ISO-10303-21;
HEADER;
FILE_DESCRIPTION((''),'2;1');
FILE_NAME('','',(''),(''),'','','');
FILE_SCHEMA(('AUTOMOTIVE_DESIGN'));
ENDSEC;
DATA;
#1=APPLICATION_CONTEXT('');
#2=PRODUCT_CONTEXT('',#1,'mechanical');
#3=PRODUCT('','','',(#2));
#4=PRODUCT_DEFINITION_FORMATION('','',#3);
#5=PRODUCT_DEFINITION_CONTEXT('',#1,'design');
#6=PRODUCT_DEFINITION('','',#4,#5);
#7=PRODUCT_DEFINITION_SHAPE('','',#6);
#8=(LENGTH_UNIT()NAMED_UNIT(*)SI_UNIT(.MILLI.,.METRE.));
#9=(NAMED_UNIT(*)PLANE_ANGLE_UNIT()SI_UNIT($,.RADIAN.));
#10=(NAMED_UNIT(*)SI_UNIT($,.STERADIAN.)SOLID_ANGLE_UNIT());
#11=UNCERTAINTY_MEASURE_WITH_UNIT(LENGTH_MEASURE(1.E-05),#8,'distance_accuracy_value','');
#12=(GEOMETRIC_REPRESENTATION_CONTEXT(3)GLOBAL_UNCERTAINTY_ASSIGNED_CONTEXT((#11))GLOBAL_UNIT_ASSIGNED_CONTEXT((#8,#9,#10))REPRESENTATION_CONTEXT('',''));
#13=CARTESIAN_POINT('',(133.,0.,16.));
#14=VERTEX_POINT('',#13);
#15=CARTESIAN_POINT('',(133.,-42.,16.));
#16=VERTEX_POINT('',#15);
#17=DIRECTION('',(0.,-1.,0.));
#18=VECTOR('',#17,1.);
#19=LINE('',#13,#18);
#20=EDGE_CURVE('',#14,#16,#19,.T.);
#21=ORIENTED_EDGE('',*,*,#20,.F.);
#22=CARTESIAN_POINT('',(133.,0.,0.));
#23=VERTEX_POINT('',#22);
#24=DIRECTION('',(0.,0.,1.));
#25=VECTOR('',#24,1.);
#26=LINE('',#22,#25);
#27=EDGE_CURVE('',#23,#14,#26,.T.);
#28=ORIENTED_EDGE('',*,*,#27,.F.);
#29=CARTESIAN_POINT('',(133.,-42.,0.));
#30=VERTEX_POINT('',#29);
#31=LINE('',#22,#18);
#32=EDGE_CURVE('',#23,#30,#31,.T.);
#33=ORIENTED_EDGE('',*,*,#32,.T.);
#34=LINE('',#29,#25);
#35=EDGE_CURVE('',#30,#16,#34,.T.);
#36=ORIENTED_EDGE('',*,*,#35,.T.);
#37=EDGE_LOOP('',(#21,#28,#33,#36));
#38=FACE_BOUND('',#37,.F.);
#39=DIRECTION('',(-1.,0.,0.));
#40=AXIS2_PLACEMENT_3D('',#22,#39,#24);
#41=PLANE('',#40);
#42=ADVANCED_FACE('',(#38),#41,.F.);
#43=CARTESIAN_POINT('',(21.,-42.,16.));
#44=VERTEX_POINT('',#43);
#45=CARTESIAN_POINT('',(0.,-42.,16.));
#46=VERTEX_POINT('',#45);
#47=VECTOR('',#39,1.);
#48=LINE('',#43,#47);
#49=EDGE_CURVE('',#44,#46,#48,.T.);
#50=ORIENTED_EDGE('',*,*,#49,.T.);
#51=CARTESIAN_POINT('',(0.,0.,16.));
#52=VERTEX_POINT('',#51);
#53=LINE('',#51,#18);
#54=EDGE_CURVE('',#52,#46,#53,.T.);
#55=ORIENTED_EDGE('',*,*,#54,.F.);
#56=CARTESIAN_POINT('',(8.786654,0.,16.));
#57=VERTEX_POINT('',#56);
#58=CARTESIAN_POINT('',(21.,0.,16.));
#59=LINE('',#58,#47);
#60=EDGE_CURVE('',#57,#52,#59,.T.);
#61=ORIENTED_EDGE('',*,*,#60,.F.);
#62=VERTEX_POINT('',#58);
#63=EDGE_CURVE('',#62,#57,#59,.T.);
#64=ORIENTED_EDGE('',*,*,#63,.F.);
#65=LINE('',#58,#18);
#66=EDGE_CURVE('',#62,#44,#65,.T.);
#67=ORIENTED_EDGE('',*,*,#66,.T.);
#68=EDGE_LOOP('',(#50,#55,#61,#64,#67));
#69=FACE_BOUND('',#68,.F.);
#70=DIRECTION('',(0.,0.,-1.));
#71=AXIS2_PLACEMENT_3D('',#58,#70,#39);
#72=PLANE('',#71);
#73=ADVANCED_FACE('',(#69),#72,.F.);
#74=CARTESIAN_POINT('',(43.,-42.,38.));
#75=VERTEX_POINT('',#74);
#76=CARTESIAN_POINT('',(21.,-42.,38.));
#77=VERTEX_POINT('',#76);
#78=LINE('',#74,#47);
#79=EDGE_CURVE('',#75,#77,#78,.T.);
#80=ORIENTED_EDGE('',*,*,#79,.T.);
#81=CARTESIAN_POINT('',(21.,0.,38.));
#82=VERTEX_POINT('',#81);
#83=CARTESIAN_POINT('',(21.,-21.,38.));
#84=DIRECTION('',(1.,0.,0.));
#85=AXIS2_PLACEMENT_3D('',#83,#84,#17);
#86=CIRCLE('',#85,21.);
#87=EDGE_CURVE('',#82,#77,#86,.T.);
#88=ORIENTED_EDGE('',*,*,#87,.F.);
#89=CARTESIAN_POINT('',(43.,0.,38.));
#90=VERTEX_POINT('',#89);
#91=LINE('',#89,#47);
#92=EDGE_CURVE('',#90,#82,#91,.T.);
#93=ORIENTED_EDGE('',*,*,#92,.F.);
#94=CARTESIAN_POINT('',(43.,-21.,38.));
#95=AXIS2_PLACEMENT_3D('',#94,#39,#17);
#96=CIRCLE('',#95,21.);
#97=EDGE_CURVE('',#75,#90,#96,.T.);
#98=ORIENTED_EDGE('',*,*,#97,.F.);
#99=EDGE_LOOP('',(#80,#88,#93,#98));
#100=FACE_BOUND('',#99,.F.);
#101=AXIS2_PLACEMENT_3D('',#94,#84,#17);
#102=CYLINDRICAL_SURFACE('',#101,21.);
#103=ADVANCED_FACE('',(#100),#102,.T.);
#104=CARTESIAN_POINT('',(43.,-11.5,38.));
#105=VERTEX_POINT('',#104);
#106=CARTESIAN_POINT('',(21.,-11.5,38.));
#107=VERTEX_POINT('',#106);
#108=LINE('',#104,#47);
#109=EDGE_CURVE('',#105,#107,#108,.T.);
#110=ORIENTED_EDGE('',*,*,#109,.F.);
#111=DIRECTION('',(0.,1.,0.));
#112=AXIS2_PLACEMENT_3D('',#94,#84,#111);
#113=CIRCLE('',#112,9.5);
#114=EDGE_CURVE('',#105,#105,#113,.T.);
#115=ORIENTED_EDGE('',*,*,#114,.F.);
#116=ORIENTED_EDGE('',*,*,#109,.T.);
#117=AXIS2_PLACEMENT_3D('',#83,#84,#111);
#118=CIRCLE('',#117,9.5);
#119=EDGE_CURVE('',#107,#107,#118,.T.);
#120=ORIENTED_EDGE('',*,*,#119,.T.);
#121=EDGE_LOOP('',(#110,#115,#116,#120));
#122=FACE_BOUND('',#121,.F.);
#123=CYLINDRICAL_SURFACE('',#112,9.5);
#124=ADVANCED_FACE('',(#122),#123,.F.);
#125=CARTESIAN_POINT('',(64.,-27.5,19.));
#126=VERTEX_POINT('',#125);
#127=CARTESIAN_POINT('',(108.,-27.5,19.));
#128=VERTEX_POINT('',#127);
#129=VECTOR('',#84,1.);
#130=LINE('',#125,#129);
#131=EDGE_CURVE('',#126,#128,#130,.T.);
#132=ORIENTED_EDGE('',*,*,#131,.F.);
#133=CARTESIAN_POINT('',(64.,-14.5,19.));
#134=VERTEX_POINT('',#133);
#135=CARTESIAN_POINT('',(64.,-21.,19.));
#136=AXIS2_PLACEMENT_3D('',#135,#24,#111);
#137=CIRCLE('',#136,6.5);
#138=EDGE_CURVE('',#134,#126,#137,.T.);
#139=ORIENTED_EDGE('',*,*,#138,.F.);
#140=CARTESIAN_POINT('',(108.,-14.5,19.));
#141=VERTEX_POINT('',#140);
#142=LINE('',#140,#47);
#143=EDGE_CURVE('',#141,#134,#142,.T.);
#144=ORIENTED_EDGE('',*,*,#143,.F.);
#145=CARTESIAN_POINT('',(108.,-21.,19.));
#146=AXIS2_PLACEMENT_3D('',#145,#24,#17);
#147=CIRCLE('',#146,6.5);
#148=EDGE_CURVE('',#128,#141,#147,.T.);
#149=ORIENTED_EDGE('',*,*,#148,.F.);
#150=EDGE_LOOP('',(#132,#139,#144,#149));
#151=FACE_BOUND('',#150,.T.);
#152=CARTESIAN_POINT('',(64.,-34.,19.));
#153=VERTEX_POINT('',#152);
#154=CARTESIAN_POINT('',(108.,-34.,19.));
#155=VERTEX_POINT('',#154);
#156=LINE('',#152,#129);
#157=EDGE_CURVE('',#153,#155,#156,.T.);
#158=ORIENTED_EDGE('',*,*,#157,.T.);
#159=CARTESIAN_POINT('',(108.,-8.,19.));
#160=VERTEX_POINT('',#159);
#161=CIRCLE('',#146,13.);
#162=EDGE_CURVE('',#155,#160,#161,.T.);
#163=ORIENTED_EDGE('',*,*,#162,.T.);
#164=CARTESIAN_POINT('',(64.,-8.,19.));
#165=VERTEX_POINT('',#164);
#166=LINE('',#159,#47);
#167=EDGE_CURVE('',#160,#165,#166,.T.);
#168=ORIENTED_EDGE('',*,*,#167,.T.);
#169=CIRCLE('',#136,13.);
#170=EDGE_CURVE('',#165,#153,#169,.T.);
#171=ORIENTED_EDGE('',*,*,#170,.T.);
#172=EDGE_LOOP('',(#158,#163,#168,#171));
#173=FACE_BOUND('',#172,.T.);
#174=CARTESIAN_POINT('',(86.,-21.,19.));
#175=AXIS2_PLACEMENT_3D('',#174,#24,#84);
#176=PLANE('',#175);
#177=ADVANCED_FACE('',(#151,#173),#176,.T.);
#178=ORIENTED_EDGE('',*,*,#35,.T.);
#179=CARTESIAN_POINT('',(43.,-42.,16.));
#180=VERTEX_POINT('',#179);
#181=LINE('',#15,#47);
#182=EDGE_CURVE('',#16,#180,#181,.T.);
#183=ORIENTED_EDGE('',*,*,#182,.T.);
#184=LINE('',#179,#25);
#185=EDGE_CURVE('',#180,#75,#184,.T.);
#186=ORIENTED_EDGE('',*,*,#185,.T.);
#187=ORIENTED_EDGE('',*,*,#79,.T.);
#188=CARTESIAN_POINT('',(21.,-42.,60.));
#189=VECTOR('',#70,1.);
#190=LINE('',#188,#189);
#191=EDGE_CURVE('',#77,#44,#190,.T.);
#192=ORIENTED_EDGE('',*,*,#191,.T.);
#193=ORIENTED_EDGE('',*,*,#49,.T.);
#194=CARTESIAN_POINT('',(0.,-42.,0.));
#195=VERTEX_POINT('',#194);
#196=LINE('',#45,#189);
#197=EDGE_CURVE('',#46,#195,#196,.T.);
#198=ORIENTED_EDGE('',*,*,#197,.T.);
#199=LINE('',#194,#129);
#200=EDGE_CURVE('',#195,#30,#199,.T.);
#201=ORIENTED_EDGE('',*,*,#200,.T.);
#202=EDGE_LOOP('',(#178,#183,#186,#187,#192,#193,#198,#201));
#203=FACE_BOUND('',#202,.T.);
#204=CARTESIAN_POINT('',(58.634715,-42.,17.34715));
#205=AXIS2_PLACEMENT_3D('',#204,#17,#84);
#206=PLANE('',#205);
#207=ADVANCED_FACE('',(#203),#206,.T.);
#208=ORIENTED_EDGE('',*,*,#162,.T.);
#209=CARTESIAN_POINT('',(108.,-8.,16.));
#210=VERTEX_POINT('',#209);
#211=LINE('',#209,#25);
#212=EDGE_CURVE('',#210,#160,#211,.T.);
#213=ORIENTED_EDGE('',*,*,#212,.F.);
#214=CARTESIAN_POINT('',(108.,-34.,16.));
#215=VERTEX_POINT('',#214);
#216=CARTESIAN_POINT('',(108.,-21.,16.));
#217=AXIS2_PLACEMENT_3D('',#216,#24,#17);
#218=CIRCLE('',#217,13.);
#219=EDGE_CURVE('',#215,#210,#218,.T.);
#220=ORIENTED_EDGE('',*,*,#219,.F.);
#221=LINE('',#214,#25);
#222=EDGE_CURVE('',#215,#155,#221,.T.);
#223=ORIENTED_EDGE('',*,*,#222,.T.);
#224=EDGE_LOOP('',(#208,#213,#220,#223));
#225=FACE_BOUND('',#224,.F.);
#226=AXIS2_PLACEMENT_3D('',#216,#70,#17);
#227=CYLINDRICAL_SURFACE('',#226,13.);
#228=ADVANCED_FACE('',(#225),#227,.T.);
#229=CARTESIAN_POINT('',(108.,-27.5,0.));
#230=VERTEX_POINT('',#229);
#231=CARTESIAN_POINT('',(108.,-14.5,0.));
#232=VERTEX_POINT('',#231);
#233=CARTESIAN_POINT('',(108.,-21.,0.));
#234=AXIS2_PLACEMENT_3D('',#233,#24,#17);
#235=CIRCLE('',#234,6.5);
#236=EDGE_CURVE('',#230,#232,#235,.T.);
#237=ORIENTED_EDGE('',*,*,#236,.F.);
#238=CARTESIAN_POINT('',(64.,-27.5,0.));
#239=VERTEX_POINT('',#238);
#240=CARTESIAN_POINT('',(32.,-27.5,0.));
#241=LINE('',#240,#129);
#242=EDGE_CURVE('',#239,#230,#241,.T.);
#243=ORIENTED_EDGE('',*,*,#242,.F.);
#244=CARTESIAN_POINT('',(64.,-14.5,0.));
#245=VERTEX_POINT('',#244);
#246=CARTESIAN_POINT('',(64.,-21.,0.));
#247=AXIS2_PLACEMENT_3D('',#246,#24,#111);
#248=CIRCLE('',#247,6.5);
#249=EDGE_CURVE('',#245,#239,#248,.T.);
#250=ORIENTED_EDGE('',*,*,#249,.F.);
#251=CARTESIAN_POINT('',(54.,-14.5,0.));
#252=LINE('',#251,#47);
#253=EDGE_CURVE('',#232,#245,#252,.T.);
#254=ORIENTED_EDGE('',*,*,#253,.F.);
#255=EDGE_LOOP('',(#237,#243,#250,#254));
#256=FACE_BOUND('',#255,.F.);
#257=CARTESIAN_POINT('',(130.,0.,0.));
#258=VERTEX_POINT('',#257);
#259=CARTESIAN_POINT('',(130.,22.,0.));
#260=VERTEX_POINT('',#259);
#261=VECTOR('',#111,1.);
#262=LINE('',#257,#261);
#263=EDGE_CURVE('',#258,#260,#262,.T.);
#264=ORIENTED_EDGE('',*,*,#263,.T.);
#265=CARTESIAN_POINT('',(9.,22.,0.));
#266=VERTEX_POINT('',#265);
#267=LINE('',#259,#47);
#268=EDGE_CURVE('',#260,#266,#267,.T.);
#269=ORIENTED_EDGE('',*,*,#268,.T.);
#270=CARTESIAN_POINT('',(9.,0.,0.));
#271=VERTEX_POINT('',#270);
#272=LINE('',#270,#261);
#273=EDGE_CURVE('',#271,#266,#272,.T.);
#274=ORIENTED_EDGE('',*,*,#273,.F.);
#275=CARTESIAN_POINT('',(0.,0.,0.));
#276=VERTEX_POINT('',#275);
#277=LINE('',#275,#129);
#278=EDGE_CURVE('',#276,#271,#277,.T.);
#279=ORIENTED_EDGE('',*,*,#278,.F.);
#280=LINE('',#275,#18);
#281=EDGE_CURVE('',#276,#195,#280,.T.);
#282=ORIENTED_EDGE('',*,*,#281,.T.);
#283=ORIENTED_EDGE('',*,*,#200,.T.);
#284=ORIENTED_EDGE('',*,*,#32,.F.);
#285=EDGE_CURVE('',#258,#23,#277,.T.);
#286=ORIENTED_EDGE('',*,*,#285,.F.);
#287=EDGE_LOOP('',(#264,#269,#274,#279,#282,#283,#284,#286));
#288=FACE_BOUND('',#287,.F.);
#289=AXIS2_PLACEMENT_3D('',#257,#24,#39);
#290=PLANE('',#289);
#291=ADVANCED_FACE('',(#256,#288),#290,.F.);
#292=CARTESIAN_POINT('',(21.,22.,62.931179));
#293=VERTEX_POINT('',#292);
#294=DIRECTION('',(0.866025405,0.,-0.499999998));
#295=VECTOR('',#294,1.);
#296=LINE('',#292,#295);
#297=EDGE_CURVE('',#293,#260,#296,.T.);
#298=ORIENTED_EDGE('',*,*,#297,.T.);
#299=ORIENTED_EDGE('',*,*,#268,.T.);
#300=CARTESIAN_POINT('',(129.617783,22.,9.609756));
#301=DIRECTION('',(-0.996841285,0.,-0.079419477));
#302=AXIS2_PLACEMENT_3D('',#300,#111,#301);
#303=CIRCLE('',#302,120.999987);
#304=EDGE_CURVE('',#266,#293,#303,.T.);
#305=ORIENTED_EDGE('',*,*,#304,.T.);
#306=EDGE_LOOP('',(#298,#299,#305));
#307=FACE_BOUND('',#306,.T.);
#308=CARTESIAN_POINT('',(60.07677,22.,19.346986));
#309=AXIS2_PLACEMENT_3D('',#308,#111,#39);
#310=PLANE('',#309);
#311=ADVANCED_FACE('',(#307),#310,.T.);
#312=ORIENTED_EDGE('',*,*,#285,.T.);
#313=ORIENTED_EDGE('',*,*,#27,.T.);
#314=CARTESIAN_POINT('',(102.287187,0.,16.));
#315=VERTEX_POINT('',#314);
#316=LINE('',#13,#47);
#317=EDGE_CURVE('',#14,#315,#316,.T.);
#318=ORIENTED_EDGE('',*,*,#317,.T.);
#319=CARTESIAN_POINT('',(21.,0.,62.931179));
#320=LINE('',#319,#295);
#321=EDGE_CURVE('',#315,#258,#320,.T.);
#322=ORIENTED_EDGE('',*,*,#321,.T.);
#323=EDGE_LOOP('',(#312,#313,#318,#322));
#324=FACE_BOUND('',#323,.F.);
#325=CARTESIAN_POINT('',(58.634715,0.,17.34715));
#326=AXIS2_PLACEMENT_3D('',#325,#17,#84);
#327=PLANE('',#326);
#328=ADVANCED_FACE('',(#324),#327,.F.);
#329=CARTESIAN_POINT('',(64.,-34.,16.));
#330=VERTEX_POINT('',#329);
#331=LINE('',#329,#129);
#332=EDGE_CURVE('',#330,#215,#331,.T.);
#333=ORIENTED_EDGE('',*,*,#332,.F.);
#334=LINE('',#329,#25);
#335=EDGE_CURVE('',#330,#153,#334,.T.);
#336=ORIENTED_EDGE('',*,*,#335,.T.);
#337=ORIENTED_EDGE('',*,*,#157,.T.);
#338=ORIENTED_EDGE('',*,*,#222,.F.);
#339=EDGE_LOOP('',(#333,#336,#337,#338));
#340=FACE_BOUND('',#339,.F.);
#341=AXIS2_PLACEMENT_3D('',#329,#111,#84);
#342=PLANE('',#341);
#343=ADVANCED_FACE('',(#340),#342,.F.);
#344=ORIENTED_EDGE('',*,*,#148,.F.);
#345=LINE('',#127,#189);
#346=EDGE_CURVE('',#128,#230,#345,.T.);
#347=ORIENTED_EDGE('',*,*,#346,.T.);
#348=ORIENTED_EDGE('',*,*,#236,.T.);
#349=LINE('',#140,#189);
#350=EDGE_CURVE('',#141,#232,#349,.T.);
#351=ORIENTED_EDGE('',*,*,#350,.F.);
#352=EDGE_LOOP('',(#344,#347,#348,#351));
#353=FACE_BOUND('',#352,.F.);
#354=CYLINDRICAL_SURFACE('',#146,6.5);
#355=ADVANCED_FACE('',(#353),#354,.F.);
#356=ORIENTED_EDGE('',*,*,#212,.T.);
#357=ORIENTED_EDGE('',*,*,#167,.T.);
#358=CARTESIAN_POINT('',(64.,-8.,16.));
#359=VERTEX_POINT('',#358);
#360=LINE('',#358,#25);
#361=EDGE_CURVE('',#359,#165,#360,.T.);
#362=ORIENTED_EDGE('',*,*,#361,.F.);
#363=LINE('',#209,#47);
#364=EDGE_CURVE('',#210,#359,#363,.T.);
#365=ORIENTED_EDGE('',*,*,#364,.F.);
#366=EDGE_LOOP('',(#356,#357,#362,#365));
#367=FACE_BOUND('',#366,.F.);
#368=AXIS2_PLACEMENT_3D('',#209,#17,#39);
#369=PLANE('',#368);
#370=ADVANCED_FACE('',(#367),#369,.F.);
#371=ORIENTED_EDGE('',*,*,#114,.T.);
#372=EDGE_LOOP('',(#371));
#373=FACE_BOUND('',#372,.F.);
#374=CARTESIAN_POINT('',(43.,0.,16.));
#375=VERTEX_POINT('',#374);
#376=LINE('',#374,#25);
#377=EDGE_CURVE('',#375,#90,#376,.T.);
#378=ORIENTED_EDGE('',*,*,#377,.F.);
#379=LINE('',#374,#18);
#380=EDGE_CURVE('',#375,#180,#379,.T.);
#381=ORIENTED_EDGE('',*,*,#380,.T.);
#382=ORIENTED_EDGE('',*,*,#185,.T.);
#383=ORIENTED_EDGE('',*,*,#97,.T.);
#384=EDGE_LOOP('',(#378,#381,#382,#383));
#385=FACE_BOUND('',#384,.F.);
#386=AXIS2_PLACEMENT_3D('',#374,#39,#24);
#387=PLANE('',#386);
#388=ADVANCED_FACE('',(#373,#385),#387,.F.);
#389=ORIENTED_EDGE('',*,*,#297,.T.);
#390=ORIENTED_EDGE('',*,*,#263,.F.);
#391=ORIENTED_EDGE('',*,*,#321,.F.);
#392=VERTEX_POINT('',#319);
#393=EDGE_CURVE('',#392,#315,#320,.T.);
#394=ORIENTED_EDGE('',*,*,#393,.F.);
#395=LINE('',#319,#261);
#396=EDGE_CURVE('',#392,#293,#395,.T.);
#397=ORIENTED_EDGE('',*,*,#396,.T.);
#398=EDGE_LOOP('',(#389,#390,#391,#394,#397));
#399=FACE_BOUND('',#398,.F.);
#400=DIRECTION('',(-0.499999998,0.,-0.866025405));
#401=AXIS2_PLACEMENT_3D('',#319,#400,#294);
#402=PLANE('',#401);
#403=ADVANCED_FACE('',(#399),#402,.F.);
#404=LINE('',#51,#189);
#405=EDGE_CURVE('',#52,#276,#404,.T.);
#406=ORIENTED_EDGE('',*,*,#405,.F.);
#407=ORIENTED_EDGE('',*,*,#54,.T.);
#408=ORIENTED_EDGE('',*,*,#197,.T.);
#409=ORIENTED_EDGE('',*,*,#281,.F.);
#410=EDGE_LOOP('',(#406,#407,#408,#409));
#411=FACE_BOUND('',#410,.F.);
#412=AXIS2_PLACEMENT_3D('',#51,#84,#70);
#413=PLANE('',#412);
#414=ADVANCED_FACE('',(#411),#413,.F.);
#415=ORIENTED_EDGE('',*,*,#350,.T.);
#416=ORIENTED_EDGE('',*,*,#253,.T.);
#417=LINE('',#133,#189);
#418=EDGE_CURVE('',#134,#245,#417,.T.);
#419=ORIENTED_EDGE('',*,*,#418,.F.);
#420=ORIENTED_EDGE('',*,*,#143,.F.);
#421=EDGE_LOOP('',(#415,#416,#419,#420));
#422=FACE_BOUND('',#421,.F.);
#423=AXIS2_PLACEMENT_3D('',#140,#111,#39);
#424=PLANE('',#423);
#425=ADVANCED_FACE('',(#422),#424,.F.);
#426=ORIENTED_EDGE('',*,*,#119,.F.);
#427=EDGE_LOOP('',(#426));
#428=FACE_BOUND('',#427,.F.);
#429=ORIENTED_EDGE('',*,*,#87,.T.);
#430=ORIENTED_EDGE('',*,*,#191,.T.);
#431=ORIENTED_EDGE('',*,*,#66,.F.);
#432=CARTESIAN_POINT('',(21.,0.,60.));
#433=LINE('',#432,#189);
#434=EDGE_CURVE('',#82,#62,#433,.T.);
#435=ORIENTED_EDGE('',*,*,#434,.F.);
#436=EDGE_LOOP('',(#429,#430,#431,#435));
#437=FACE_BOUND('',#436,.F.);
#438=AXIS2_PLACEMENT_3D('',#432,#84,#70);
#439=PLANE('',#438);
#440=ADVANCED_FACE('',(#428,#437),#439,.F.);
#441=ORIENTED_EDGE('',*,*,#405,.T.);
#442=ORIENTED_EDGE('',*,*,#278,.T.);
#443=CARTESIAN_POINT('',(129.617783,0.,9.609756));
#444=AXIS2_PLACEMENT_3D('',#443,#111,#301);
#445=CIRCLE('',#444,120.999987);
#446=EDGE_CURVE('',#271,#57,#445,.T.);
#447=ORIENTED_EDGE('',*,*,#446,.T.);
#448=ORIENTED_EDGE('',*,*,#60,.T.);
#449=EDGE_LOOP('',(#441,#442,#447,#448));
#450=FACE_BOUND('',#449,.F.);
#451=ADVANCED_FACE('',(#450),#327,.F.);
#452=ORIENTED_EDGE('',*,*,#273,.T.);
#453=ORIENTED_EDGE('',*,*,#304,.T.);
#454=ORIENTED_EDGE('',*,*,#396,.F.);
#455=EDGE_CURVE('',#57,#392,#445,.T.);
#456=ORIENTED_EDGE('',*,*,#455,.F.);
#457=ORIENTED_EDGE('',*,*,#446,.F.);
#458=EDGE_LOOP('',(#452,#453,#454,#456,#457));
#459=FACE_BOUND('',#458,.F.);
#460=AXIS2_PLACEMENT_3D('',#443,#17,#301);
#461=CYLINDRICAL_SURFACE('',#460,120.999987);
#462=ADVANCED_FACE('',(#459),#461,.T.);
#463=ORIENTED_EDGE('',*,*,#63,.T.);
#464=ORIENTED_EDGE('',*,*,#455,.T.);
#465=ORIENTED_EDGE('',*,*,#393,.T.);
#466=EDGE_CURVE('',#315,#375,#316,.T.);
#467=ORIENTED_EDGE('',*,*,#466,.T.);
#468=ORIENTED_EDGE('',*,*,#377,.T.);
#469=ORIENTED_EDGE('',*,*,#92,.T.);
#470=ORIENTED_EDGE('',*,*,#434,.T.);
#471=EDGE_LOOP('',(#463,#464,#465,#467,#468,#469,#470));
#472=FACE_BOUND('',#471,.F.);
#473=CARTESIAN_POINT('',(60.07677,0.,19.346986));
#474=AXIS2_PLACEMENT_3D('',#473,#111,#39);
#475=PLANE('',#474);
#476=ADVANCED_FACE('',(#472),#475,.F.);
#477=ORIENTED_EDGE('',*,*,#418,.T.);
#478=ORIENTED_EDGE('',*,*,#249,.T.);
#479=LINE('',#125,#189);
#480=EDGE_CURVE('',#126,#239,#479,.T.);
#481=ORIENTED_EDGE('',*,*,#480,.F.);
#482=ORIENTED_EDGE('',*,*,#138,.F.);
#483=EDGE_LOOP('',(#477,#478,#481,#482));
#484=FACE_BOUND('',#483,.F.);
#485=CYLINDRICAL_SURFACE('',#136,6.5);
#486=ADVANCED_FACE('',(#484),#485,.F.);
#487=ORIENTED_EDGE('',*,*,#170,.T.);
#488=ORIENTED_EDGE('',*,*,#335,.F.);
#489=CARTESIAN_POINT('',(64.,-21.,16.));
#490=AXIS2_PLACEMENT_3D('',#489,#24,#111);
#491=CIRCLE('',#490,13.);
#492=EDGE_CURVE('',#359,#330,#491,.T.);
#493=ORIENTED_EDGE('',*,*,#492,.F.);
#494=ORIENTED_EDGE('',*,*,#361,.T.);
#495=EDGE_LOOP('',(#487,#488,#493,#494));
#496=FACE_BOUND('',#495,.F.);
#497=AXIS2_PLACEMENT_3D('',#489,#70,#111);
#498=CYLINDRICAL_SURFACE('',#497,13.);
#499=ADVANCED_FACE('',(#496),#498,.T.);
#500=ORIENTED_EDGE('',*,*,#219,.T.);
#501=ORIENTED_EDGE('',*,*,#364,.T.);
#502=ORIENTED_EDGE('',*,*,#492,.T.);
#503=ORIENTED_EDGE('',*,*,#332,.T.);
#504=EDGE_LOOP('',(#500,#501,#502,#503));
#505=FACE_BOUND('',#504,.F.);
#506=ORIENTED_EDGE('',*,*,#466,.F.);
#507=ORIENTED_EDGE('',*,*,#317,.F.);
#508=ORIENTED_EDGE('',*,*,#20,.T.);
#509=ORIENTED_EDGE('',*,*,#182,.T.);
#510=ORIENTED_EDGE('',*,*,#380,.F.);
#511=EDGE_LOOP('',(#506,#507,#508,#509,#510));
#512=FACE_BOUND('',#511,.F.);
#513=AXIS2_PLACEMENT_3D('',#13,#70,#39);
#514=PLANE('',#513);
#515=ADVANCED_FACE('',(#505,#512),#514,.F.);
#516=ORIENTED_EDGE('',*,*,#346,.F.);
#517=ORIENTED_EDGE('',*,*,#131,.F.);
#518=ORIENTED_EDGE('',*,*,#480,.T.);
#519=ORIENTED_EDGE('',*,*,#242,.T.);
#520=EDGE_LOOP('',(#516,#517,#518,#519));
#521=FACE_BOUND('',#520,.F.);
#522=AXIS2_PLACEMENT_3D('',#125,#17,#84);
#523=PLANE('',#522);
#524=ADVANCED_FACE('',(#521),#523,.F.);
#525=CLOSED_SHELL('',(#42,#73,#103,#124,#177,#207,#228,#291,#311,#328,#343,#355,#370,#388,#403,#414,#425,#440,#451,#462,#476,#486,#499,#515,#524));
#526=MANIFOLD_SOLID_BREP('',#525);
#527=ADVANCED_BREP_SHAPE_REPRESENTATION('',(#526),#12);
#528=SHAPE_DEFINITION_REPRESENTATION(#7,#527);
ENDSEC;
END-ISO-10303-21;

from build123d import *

# Parameters (mm, degrees)
F1_DEPTH  = 42
F2_R      = 9.5
F3_DEPTH  = 43.001
F5_DEPTH  = 43.001
F7_DEPTH  = 3
F9_DEPTH  = 19.001
F11_DEPTH = 22


with BuildPart() as f1:
    # F0 (on Front) → F1 (new body)
    with BuildSketch(Plane.XZ):
        Polygon((0, 16), (0, 0), (133, 0), (133, 16), (43, 16), (43, 60), (21, 60), (21, 16), align=None)
    extrude(amount=F1_DEPTH)

    # F2 (on face) → F3 (cut, through all)
    with BuildSketch(Plane.YZ.offset(43)):
        with Locations((-21, 38)):
            Circle(F2_R)
    extrude(amount=-F3_DEPTH, mode=Mode.SUBTRACT)

    # F4 (on face) → F5 (cut, through all)
    with BuildSketch(Plane.YZ.offset(43)):
        with BuildLine():
            Line((-42, 60), (-42, 38))
            ThreePointArc((-42, 38), (-21, 59), (0, 38))
            Line((0, 38), (0, 60))
            Line((0, 60), (-42, 60))
        make_face()
    extrude(amount=-F5_DEPTH, mode=Mode.SUBTRACT)

    # F6 (on face) → F7 (join)
    with BuildSketch(Plane.XY.offset(16)):
        with BuildLine():
            Line((108, -8), (64, -8))
            ThreePointArc((64, -8), (51, -21), (64, -34))
            Line((64, -34), (108, -34))
            ThreePointArc((108, -34), (121, -21), (108, -8))
        make_face()
    extrude(amount=F7_DEPTH)

    # F8 (on face) → F9 (cut, through all)
    with BuildSketch(Plane.XY.offset(19)):
        with BuildLine():
            Line((108, -14.5), (64, -14.5))
            ThreePointArc((64, -14.5), (57.5, -21), (64, -27.5))
            Line((64, -27.5), (108, -27.5))
            ThreePointArc((108, -27.5), (114.5, -21), (108, -14.5))
        make_face()
    extrude(amount=-F9_DEPTH, mode=Mode.SUBTRACT)

    # F10 (on face) → F11 (join)
    with BuildSketch(Plane(origin=(0, 0, 0), x_dir=(-1, 0, 0), z_dir=(0, 1, 0))):
        with BuildLine():
            Line((-21, 62.931179), (-130, 0))
            Line((-130, 0), (-9, 0))
            ThreePointArc((-9, 0), (-10.759382, 32.27421), (-21, 62.931179))
        make_face()
    extrude(amount=F11_DEPTH)


solid = f1.part
